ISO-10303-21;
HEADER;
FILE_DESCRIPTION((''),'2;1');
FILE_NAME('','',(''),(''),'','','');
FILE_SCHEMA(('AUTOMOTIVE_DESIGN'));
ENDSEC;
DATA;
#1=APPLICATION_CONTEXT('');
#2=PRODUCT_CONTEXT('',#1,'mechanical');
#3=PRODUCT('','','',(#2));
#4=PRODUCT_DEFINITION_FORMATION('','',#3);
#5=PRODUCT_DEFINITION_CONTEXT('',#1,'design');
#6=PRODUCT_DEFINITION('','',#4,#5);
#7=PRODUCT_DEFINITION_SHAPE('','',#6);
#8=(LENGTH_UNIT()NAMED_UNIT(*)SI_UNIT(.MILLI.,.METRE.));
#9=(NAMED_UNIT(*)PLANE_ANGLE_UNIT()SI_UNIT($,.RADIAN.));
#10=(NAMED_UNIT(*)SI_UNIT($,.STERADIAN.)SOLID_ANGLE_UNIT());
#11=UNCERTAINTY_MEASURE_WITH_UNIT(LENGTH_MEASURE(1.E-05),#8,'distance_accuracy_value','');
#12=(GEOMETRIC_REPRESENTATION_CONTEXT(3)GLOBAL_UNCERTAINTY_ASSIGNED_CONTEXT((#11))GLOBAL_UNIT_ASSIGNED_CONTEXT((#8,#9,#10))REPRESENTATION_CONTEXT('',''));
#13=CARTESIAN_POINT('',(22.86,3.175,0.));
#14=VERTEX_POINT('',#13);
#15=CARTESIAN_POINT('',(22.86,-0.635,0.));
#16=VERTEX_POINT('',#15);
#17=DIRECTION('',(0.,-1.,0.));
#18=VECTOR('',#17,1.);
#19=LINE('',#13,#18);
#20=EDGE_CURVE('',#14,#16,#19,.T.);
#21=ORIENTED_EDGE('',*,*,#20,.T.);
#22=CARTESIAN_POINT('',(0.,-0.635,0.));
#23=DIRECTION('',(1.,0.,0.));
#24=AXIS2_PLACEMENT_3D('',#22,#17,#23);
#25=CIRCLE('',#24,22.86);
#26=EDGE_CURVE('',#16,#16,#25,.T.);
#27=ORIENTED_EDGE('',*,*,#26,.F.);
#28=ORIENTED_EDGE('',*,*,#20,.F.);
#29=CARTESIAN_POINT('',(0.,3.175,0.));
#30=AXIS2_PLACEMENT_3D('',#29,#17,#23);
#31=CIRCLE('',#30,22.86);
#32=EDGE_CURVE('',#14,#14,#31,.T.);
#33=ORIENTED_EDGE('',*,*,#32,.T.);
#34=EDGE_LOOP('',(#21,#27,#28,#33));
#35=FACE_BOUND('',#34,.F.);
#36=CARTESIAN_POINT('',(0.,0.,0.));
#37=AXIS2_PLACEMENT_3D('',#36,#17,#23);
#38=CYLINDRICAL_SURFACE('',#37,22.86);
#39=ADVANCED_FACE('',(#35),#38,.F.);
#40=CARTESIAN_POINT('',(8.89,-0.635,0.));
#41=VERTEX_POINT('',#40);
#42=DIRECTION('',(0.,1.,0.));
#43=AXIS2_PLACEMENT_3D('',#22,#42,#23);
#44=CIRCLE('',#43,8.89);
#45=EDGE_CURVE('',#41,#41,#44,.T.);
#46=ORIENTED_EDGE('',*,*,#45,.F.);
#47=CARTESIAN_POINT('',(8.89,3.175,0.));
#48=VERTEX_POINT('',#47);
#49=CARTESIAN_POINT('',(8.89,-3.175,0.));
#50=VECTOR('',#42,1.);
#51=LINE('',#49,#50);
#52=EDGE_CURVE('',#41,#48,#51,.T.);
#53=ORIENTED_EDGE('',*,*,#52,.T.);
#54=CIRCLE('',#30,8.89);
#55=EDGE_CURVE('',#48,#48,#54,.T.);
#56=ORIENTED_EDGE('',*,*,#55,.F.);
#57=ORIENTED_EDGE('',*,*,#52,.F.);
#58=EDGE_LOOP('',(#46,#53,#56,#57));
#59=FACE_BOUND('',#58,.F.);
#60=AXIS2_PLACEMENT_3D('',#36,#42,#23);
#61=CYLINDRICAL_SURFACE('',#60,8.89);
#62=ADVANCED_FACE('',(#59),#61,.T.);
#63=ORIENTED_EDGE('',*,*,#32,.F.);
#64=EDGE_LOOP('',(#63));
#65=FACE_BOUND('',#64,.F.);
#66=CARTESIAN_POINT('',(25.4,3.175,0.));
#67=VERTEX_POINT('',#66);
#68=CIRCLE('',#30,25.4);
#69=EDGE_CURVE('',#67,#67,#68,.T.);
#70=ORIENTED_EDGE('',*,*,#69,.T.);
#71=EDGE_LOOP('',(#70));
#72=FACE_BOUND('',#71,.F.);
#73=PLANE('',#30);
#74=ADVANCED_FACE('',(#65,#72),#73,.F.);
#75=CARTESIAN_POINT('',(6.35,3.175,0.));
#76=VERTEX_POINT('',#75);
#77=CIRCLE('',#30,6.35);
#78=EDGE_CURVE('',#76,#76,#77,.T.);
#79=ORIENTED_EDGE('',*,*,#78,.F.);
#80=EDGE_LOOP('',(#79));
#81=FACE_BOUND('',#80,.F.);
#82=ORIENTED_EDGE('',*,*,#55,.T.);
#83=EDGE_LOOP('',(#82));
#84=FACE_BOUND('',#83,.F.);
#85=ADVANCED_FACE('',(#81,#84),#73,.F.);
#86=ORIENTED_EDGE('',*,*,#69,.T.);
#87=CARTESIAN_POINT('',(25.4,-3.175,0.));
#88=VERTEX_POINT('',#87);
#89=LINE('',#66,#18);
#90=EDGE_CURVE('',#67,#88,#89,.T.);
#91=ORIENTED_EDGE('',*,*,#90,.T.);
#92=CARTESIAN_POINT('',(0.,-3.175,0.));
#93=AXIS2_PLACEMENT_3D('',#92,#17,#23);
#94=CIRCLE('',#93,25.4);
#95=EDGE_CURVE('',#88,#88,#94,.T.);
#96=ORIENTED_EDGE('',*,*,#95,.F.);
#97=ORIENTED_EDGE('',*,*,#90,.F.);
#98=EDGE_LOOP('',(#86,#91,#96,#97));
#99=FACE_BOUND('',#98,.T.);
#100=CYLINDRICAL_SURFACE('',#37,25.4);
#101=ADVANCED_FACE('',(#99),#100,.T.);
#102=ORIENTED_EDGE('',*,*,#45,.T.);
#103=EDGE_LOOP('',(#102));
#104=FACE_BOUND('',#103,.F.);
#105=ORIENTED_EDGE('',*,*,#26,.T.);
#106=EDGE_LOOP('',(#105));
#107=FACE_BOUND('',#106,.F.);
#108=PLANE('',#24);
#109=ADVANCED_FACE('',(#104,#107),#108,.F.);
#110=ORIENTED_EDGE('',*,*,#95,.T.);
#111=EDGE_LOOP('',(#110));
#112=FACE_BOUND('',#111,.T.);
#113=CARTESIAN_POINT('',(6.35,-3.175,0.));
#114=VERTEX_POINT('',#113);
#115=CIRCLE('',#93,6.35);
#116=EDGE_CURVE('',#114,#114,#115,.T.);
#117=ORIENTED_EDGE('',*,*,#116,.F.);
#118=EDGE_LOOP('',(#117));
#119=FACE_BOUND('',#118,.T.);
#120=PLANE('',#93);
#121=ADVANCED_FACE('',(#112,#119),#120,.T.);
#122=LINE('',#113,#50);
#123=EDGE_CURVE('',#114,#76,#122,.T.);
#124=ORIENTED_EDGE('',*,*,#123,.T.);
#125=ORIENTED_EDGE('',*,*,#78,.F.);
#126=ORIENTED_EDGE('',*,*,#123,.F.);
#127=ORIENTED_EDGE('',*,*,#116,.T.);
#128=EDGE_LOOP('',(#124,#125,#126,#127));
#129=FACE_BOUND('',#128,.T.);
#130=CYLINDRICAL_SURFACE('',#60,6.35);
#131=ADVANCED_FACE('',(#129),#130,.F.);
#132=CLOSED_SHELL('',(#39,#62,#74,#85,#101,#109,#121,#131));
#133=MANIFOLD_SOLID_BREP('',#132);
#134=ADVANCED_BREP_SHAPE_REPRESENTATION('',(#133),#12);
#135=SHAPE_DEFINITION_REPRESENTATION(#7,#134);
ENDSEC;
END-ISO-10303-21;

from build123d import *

# Parameters (mm, degrees)
F0_R     = 25.4
F0_R_2   = 6.35
F1_DEPTH = 3.175
F2_T     = -2.54


with BuildPart() as f1:
    # F0 (on Front) → F1 (new body, symmetric)
    with BuildSketch(Plane.XZ):
        Circle(F0_R)
        Circle(F0_R_2, mode=Mode.SUBTRACT)
    extrude(amount=F1_DEPTH, both=True)

    # F2
    f2_openings = [f1.faces().sort_by_distance(p)[0] for p in [
        (-24.68158, 3.175, 0),
    ]]
    offset(amount=F2_T, openings=f2_openings)


solid = f1.part
